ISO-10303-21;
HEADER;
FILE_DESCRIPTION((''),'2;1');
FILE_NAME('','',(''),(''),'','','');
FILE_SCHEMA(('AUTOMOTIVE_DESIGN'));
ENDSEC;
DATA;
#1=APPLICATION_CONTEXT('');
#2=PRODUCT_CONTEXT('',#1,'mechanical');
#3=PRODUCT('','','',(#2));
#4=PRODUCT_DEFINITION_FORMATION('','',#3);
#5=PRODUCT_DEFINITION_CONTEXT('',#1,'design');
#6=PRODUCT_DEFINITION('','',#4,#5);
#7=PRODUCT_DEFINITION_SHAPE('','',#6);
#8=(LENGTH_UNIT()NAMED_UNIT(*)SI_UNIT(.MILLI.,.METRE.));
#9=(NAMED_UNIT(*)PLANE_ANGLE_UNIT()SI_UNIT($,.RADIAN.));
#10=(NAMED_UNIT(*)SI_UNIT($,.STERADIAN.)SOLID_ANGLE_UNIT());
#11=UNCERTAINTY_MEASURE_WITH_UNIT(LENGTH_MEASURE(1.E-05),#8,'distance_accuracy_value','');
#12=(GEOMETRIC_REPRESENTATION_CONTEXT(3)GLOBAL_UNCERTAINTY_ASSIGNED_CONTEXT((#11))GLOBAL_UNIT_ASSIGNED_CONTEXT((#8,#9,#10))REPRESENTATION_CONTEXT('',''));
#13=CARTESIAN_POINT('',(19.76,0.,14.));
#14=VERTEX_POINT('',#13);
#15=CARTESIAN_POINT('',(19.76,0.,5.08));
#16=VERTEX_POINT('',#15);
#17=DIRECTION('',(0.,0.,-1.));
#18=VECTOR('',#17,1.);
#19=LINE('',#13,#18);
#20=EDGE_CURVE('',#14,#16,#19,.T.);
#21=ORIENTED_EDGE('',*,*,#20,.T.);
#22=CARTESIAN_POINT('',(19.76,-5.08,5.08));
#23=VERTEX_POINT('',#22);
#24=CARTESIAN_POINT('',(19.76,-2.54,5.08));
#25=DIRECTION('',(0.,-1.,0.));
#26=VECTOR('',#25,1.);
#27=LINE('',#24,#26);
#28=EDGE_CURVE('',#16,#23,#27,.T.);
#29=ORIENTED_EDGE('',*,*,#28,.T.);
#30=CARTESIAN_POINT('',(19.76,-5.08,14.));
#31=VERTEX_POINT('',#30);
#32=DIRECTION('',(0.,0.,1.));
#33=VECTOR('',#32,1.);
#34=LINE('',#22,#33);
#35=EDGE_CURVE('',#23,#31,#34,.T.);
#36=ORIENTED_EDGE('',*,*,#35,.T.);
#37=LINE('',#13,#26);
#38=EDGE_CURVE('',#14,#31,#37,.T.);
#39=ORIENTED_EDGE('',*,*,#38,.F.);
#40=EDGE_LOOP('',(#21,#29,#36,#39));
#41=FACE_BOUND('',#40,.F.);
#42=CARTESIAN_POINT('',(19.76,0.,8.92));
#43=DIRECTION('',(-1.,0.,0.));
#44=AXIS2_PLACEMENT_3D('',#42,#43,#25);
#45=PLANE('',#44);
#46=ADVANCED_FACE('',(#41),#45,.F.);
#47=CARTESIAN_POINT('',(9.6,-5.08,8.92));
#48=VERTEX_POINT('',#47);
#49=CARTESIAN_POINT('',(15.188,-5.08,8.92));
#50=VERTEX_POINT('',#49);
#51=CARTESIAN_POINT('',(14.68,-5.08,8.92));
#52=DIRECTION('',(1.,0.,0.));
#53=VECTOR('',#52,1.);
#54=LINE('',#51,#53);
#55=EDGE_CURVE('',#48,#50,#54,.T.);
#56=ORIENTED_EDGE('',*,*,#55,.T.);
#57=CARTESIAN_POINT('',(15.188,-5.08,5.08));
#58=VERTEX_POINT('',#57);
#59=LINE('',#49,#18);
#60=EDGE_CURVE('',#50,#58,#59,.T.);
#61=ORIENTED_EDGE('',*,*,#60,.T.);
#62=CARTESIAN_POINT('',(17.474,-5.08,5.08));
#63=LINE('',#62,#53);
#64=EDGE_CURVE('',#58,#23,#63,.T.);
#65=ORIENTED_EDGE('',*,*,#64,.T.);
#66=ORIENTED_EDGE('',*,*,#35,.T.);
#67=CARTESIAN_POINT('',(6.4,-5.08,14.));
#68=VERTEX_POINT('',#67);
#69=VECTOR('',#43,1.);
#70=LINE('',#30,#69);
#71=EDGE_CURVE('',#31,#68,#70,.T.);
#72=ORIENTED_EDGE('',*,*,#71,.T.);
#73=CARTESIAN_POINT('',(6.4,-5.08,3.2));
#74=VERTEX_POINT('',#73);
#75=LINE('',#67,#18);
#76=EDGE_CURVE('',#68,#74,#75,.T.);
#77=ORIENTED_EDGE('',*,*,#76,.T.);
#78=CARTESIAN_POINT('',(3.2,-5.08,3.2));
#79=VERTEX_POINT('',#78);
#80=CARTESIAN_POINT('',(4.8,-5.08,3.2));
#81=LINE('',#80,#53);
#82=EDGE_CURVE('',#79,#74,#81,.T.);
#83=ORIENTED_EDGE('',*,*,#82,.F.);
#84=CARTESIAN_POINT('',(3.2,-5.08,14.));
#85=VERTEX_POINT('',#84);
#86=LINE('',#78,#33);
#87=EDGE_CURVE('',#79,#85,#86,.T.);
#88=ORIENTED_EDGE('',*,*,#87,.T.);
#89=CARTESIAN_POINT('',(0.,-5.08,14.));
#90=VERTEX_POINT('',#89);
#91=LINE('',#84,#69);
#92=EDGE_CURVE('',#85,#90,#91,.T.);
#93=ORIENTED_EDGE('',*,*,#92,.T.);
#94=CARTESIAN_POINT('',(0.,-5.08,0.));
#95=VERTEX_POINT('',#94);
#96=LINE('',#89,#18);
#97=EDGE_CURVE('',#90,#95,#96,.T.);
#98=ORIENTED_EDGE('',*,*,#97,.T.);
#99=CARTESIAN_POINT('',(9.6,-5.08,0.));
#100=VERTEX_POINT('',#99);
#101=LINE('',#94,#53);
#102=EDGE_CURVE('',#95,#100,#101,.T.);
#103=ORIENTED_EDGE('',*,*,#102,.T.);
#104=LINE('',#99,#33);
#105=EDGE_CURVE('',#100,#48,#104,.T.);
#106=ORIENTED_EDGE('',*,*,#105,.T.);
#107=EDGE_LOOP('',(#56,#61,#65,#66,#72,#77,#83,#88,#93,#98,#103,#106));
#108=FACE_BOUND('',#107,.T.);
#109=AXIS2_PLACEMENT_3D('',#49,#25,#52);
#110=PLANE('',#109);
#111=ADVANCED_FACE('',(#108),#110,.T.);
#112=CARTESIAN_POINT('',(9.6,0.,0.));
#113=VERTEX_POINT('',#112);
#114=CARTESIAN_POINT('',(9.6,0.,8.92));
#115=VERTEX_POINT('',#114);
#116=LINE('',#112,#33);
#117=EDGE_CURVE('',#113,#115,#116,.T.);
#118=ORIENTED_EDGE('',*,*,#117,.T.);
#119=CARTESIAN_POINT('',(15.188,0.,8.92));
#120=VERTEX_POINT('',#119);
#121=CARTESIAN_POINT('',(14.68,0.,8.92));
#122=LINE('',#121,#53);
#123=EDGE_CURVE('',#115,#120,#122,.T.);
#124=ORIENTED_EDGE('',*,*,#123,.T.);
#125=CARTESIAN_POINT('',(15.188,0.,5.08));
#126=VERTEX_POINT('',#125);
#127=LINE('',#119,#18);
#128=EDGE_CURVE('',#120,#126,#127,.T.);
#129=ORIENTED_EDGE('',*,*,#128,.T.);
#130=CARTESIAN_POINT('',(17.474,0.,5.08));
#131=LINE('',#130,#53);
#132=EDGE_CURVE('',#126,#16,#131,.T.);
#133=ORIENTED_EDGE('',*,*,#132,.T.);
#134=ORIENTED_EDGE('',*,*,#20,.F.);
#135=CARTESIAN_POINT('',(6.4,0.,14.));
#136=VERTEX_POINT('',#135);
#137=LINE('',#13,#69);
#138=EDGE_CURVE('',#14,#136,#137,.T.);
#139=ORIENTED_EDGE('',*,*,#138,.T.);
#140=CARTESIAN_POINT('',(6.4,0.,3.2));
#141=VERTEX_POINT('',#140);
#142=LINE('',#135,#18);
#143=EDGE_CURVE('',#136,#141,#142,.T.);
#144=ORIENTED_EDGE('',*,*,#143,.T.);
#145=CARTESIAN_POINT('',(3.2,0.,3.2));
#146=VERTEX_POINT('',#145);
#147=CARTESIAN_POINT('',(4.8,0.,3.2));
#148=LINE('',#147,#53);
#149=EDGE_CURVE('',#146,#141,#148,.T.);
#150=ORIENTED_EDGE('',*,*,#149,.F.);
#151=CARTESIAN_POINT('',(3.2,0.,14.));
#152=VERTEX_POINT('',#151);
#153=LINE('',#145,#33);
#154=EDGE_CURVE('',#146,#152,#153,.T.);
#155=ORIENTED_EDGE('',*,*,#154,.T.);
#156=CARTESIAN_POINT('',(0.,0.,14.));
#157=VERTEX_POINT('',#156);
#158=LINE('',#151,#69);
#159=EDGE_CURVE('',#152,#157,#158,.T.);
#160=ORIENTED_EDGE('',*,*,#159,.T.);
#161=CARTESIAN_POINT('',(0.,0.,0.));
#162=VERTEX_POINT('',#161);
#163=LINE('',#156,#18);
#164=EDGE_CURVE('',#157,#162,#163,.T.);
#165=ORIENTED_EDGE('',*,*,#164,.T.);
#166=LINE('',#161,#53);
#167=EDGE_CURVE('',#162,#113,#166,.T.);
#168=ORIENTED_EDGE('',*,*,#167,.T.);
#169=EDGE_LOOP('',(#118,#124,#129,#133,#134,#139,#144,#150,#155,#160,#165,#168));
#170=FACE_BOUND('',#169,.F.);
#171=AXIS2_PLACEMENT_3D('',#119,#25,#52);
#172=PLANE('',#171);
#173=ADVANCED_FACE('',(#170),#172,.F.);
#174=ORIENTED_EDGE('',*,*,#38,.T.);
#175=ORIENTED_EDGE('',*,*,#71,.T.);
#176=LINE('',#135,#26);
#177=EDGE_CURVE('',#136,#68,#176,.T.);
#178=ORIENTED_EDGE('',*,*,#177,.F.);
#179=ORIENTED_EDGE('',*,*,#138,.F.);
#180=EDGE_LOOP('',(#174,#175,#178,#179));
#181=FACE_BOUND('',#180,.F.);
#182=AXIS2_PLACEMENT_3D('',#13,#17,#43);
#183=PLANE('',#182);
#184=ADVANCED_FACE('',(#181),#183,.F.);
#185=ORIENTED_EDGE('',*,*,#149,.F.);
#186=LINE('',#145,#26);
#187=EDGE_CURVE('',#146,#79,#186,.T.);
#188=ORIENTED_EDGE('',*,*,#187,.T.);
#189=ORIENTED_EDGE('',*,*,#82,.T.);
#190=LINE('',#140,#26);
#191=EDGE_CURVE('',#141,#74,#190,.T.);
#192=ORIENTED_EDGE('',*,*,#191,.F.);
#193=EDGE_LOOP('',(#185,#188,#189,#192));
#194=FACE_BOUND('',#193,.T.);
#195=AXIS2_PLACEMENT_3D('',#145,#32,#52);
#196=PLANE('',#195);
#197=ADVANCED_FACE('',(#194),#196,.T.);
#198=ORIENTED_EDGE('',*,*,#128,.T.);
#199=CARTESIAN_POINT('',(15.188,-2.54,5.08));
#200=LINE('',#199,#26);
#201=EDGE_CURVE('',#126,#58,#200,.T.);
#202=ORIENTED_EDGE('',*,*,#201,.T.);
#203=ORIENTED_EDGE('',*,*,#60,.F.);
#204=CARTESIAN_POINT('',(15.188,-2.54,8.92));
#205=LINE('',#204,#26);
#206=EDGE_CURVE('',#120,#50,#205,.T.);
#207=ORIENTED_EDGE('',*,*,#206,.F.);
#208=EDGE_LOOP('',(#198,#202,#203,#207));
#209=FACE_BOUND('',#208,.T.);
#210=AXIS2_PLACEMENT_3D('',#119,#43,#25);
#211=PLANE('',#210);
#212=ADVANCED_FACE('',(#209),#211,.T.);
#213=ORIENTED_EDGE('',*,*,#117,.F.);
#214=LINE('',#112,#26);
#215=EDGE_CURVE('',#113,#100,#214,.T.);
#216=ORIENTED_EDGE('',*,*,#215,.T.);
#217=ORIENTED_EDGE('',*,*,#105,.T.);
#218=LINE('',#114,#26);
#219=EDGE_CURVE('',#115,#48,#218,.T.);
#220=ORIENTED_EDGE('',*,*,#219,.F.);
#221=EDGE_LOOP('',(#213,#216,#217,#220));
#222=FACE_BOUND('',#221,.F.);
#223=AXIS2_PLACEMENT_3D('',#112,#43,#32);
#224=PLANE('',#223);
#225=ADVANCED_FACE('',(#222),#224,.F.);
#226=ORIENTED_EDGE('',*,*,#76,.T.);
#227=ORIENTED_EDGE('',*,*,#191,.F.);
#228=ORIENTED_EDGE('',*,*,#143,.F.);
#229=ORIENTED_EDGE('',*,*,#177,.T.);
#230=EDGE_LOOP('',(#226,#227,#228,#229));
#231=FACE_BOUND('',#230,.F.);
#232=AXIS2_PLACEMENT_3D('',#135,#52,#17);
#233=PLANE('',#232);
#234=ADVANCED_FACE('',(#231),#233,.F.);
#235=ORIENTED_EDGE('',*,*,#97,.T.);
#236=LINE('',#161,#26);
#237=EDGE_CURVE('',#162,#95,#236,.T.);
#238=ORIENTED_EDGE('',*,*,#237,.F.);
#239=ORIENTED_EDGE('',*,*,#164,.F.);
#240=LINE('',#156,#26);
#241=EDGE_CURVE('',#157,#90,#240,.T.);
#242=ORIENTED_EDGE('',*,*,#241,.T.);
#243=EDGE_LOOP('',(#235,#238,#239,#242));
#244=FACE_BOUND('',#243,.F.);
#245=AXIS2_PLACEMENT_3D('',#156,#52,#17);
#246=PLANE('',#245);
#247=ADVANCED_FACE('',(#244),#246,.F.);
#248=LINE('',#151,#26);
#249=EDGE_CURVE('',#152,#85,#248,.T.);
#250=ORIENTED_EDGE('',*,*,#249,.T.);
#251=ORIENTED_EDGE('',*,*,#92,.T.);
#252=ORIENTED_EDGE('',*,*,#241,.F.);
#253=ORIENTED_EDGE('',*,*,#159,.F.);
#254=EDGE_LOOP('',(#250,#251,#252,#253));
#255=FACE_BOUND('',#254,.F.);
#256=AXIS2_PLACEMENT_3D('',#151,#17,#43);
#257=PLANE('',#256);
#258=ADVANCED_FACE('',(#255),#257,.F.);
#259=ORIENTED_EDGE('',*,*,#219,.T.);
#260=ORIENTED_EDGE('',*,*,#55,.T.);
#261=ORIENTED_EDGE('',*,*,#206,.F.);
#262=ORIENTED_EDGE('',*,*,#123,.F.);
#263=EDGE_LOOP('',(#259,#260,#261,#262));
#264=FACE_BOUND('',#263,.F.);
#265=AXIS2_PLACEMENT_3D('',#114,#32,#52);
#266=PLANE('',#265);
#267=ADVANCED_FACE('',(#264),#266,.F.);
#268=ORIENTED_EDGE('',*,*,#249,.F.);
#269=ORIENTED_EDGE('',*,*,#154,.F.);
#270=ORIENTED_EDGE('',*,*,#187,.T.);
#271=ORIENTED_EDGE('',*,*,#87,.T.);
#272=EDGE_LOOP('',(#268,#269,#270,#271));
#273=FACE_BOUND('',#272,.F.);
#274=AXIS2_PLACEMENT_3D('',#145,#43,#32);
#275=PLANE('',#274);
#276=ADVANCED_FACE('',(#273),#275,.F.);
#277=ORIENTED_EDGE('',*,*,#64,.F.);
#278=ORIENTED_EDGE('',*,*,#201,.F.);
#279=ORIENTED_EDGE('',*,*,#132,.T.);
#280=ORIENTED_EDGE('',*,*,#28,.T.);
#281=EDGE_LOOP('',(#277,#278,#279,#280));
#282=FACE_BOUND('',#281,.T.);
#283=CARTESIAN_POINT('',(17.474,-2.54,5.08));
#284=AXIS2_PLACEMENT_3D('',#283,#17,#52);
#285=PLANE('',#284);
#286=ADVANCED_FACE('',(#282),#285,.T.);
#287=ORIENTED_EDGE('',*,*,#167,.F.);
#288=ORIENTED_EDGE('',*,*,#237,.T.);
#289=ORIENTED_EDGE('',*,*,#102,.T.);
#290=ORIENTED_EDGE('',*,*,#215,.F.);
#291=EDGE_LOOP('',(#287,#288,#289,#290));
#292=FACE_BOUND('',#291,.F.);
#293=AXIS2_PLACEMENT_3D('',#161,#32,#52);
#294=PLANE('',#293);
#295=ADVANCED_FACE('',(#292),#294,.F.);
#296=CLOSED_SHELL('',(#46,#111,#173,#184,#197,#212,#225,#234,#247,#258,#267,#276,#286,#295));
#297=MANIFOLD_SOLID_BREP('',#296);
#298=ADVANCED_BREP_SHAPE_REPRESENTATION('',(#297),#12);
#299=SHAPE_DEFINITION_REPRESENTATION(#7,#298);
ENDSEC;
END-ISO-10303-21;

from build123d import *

# Parameters (mm, degrees)
F0_W     = 10.16
F0_H     = 5.08
F0_W_2   = 3.2
F0_H_2   = 3.2
F1_DEPTH = 5.08
F2_W     = 4.572
F2_H     = 5.08
F3_DEPTH = 3.84


with BuildPart() as f1:
    # F0 (on Front) → F1 (new body)
    with BuildSketch(Plane.XZ):
        with Locations((14.68, 11.46)):
            Rectangle(F0_W, F0_H)
        with BuildLine():
            ThreePointArc((0, 1.27), (0.371974, 0.371974), (1.27, 0))
            Line((1.27, 0), (3.2, 0))
            Line((3.2, 0), (3.2, 3.2))
            Line((3.2, 3.2), (3.2, 10.8))
            Line((3.2, 10.8), (0, 10.8))
            Line((0, 10.8), (0, 1.27))
        make_face()
        with Locations((4.8, 1.6)):
            Rectangle(F0_W_2, F0_H_2)
        with BuildLine():
            Line((6.4, 3.2), (6.4, 0))
            Line((6.4, 0), (8.33, 0))
            ThreePointArc((8.33, 0), (9.228026, 0.371974), (9.6, 1.27))
            Line((9.6, 1.27), (9.6, 8.92))
            Line((9.6, 8.92), (9.6, 14))
            Line((9.6, 14), (6.4, 14))
            Line((6.4, 14), (6.4, 3.2))
        make_face()
        with BuildLine():
            Line((0, 0), (1.27, 0))
            ThreePointArc((1.27, 0), (0.371974, 0.371974), (0, 1.27))
            Line((0, 1.27), (0, 0))
        make_face()
        with BuildLine():
            ThreePointArc((9.6, 1.27), (9.228026, 0.371974), (8.33, 0))
            Line((8.33, 0), (9.6, 0))
            Line((9.6, 0), (9.6, 1.27))
        make_face()
        with BuildLine():
            Line((0, 12.73), (0, 10.8))
            Line((0, 10.8), (3.2, 10.8))
            Line((3.2, 10.8), (3.2, 14))
            Line((3.2, 14), (1.27, 14))
            ThreePointArc((1.27, 14), (0.371974, 13.628026), (0, 12.73))
        make_face()
        with BuildLine():
            Line((0, 14), (0, 12.73))
            ThreePointArc((0, 12.73), (0.371974, 13.628026), (1.27, 14))
            Line((1.27, 14), (0, 14))
        make_face()
    extrude(amount=F1_DEPTH)

    # F2 (on face) → F3 (join)
    with BuildSketch(Plane(origin=(0, 0, 8.92), x_dir=(1, 0, 0), z_dir=(0, 0, -1))):
        with Locations((17.474, 2.54)):
            Rectangle(F2_W, F2_H)
    extrude(amount=F3_DEPTH)


solid = f1.part
